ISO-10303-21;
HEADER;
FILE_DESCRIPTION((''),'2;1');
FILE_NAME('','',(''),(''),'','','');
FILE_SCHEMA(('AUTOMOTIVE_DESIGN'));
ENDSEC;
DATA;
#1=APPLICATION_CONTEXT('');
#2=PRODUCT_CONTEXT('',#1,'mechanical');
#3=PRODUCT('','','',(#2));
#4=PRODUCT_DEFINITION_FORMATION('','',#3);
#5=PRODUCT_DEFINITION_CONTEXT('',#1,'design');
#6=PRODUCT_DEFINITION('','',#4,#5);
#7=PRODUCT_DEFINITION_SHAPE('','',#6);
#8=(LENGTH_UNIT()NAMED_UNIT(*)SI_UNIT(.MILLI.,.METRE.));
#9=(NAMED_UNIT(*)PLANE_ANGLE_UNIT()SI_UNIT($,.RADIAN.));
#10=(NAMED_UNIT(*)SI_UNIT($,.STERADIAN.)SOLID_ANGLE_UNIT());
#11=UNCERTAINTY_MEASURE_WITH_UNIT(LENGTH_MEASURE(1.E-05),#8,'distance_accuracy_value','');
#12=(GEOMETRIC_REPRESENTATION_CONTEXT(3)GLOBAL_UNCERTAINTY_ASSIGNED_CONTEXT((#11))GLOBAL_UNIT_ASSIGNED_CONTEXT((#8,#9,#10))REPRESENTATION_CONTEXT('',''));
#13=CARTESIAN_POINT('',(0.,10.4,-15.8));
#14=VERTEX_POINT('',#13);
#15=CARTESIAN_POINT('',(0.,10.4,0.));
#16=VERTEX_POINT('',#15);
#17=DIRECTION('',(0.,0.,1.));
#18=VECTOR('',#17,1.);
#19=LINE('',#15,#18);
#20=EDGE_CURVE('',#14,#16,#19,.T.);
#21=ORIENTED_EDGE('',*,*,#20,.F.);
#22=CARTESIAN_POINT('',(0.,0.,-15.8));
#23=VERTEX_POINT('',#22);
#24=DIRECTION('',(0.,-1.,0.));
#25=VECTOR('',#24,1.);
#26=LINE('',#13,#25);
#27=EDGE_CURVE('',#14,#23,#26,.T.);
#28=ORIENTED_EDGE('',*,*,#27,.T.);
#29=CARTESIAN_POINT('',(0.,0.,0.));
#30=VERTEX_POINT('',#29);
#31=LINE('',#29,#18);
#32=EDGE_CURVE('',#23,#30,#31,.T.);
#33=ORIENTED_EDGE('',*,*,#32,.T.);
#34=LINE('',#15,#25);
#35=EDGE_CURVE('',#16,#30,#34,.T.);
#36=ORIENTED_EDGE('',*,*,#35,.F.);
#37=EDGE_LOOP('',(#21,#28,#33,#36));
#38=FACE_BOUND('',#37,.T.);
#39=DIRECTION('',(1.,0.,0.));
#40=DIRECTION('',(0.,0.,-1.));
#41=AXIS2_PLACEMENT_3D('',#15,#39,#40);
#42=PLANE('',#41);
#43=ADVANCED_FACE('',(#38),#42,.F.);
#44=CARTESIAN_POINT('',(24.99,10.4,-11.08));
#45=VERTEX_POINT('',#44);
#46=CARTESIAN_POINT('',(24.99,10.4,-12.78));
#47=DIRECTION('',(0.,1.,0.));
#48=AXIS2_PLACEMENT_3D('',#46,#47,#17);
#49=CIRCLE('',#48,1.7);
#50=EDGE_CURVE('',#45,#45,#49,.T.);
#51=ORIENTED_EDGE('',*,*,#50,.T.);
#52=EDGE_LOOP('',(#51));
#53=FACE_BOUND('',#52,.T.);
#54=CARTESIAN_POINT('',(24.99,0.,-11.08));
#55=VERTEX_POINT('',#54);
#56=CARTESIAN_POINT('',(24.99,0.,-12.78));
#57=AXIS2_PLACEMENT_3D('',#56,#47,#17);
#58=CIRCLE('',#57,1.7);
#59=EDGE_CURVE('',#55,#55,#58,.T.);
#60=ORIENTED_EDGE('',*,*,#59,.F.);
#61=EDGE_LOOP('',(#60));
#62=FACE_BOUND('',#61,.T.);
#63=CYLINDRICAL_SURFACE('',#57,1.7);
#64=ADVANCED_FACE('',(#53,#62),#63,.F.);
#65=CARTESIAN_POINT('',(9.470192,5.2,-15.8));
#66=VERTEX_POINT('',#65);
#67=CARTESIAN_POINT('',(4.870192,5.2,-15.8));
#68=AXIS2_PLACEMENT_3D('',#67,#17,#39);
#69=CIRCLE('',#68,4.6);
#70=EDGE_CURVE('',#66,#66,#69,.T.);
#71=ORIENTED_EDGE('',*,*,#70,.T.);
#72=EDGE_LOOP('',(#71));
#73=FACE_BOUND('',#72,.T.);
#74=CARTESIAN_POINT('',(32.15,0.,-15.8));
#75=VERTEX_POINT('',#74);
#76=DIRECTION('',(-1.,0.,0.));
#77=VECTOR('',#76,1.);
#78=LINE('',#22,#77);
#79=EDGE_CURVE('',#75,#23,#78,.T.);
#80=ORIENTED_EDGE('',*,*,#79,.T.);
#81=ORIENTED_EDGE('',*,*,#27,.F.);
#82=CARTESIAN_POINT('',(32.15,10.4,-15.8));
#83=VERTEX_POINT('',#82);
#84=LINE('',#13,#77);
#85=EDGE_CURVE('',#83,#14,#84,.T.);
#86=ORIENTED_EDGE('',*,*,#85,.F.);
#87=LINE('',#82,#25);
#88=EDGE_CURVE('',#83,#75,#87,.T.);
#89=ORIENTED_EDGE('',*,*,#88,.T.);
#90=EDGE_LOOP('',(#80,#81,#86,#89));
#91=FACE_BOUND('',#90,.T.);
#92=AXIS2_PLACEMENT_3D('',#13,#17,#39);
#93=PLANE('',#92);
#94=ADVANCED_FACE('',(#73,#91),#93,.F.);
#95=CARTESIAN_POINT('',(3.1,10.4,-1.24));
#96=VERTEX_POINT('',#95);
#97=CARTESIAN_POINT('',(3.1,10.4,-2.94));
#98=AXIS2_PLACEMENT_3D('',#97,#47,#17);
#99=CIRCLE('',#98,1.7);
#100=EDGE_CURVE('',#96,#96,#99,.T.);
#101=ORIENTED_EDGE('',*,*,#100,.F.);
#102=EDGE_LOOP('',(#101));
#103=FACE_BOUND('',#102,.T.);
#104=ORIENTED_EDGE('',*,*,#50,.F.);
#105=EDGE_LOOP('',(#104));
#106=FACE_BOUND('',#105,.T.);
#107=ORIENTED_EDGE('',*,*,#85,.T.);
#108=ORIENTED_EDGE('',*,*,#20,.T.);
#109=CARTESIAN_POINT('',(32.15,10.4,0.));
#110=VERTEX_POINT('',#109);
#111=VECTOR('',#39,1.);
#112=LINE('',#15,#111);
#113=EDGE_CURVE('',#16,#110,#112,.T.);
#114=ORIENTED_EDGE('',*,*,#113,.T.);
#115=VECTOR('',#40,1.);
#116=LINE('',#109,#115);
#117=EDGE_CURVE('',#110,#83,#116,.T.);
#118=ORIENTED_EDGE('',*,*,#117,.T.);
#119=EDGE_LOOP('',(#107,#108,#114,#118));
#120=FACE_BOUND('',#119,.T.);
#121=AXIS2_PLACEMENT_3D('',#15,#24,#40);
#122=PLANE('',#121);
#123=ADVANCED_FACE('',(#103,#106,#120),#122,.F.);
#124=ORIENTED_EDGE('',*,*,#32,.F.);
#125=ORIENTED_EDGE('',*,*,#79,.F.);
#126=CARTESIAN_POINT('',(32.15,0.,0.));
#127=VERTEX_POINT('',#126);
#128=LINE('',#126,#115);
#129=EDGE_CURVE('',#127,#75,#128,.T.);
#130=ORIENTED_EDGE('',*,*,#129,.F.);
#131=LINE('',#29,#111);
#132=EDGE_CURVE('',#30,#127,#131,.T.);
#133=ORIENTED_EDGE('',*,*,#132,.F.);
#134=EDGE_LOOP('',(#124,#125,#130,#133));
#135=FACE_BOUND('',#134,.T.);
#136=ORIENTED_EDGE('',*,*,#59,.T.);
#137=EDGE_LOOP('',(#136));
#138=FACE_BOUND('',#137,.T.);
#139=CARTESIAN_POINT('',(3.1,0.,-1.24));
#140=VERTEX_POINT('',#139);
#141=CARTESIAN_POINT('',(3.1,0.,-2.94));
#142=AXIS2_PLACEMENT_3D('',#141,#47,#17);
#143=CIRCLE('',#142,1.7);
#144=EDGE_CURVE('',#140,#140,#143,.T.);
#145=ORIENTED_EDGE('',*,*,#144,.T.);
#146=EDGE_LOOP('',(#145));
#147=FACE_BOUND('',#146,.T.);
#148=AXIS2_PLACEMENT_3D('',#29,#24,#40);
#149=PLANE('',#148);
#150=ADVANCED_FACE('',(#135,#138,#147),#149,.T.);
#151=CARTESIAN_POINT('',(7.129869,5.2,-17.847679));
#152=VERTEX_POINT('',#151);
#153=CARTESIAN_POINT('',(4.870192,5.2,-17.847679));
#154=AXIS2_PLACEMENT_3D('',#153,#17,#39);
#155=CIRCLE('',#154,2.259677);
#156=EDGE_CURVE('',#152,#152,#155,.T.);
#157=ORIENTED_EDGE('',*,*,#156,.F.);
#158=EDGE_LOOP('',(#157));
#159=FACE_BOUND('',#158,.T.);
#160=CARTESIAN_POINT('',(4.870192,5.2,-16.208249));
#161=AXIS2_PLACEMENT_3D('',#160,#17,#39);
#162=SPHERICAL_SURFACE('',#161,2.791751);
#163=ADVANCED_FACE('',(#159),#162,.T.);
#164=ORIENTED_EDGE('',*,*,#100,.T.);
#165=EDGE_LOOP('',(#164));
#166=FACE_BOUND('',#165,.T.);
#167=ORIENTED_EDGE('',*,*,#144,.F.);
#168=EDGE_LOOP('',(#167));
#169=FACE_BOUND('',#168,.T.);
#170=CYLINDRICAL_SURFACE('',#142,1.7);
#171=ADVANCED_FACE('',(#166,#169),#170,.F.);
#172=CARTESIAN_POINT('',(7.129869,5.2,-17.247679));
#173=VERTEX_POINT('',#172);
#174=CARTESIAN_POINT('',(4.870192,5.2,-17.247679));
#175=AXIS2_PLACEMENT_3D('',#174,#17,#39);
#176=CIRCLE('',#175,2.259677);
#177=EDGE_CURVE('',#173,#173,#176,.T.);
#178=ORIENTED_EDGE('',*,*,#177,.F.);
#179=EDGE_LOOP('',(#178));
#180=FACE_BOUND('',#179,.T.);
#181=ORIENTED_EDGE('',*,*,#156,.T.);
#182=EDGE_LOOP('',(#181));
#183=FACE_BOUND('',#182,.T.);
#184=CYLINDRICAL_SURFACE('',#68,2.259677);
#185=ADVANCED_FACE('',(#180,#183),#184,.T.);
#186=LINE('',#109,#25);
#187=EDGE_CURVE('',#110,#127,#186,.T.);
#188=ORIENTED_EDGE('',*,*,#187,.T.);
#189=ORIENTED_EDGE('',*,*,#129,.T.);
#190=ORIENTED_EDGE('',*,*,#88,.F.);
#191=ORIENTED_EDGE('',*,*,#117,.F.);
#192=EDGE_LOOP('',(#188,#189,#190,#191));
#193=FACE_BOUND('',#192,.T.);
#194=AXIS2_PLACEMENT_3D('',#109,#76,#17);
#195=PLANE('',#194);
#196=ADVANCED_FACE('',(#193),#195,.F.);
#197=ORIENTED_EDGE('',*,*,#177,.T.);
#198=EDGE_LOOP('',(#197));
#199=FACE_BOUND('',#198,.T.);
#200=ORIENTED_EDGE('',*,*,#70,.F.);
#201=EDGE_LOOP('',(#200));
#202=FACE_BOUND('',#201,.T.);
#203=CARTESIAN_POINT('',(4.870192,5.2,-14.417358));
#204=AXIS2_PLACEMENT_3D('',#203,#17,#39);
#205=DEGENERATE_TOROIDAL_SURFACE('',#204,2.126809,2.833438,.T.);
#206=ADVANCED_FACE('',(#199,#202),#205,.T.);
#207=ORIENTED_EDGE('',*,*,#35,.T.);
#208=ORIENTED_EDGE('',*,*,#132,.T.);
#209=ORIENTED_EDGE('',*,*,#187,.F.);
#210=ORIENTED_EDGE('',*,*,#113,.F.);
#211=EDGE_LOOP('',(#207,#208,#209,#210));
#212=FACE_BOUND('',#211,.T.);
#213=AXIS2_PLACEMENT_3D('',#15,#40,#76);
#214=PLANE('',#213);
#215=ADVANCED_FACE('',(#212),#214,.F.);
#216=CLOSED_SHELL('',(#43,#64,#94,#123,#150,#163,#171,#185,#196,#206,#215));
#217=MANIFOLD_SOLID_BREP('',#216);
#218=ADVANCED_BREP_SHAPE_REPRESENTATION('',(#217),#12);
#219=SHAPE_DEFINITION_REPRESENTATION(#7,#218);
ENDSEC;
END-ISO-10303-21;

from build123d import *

# Parameters (mm, degrees)
SKETCH2_W           = 32.15
SKETCH2_H           = 15.8
BOSS_EXTRUDE1_DEPTH = 10.4
SKETCH3_R           = 1.7
CUT_EXTRUDE1_DEPTH  = 10.4


with BuildPart() as part:
    # Sketch2 → Boss-Extrude1 (new body)
    with BuildSketch(Plane(origin=(0, 0, 0), x_dir=(1, 0, 0), z_dir=(0, 1, 0))):
        with Locations((16.075, 7.9)):
            Rectangle(SKETCH2_W, SKETCH2_H)
    extrude(amount=BOSS_EXTRUDE1_DEPTH)

    # Sketch3 → Cut-Extrude1 (cut)
    with BuildSketch(Plane(origin=(0, 10.4, 0), x_dir=(1, 0, 0), z_dir=(0, 1, 0))):
        with Locations((3.1, 2.94)):
            Circle(SKETCH3_R)
        with Locations((24.99, 12.78)):
            Circle(SKETCH3_R)
    extrude(amount=-CUT_EXTRUDE1_DEPTH, mode=Mode.SUBTRACT)

    # Sketch13 → Revolve1 (revolve)
    with BuildSketch(Plane(origin=(0, 5.2, 0), x_dir=(1, 0, 0), z_dir=(0, 1, 0))):
        with BuildLine():
            Line((4.870191612, 15.8), (9.470191612, 15.8))
            ThreePointArc((9.470191612, 15.8), (8.487581187, 16.827034892), (7.12986911, 17.247679442))
            Line((7.12986911, 17.247679442), (7.12986911, 17.847679442))
            ThreePointArc((7.12986911, 17.847679442), (6.138456674, 18.695290943), (4.870191612, 19))
            Line((4.870191612, 19), (4.870191612, 15.8))
        make_face()
    revolve(axis=Axis((4.870191612, 5.2, -15.8), (0, 0, -1)))


solid = part.part
